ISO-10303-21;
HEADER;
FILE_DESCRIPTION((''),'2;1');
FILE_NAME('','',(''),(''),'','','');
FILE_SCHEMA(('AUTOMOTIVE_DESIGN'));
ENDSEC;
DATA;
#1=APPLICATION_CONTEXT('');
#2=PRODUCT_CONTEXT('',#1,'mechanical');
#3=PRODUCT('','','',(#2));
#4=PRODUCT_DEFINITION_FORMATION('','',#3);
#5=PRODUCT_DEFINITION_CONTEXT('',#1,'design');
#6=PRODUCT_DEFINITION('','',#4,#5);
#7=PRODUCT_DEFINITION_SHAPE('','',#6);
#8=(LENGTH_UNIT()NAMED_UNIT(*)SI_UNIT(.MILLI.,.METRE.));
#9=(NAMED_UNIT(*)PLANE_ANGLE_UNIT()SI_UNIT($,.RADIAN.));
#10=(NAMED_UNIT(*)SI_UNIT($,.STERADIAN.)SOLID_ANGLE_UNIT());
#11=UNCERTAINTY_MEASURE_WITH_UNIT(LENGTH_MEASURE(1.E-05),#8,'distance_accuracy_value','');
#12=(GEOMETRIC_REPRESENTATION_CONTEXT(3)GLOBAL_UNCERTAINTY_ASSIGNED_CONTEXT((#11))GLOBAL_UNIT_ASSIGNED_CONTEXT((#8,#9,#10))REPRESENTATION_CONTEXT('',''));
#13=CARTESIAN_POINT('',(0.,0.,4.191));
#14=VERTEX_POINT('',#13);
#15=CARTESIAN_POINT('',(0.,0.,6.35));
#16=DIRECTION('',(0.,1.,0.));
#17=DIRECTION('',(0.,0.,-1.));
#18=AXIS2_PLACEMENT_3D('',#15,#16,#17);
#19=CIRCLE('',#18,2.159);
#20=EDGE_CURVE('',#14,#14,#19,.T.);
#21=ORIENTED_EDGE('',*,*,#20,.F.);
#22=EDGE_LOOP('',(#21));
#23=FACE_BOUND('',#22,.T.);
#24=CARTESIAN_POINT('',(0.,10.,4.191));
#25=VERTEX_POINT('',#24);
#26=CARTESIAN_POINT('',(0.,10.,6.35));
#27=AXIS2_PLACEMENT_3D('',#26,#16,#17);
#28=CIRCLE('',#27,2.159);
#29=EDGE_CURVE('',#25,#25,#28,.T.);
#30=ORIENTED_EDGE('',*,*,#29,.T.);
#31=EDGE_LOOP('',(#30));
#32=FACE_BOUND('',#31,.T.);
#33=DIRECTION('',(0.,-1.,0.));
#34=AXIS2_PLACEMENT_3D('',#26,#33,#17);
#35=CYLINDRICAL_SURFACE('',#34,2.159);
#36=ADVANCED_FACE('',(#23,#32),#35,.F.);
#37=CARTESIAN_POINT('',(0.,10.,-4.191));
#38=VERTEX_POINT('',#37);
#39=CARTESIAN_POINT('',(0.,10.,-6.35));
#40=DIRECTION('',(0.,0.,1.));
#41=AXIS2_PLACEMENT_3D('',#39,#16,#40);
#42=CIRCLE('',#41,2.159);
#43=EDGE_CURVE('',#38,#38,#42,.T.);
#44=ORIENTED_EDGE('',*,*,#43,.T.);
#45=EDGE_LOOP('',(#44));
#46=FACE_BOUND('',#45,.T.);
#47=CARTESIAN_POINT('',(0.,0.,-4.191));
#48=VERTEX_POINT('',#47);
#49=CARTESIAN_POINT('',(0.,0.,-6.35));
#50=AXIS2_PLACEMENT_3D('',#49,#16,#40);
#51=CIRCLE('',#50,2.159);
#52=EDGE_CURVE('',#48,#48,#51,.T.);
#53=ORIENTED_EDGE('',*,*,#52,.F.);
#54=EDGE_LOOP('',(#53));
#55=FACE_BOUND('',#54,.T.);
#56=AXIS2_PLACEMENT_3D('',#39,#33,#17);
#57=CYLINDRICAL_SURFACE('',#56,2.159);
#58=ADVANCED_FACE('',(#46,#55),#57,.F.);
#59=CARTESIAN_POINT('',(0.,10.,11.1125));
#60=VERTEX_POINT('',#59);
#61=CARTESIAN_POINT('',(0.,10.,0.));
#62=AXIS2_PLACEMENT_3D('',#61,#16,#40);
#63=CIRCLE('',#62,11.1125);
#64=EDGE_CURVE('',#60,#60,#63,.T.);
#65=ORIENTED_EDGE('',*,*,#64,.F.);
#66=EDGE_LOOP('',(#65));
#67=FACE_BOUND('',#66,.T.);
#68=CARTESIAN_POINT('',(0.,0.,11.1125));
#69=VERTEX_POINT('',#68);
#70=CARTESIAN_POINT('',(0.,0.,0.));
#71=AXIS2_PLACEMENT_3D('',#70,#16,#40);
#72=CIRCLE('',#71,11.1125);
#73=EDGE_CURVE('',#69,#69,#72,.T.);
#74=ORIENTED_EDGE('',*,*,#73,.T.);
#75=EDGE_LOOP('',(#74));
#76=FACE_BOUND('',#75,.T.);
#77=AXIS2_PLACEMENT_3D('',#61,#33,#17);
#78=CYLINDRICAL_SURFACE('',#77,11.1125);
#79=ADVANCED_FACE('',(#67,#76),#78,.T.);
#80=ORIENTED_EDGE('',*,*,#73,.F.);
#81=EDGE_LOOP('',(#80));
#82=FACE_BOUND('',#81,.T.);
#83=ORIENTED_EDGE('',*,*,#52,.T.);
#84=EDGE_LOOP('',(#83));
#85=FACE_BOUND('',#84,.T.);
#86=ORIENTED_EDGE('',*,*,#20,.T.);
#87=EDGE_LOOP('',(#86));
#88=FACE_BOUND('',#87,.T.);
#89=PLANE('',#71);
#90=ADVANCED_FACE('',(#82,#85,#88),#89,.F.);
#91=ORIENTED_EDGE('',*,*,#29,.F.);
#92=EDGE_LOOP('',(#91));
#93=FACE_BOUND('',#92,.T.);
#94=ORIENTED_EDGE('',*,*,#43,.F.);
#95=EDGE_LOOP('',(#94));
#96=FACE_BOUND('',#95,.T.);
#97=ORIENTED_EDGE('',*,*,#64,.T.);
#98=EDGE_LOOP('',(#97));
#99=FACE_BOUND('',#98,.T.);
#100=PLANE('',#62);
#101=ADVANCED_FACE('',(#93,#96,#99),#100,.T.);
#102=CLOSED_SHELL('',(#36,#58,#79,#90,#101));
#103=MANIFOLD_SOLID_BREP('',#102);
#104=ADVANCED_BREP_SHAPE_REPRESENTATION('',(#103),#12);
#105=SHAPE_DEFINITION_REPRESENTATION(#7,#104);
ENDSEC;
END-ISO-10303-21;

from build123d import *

# Parameters (mm, degrees)
SKETCH1_R           = 11.1125
SKETCH1_R_2         = 2.159
BOSS_EXTRUDE1_DEPTH = 10


with BuildPart() as part:
    # Sketch1 → Boss-Extrude1 (new body)
    with BuildSketch(Plane(origin=(0, 0, 0), x_dir=(1, 0, 0), z_dir=(0, 1, 0))):
        with Locations(Location((0, 0, 0), (0, 0, 270))):
            Circle(SKETCH1_R)
        with Locations(Location((0, 6.35, 0), (0, 0, 270))):
            Circle(SKETCH1_R_2, mode=Mode.SUBTRACT)
        with Locations(Location((0, -6.35, 0), (0, 0, 90))):
            Circle(SKETCH1_R_2, mode=Mode.SUBTRACT)
    extrude(amount=BOSS_EXTRUDE1_DEPTH)


solid = part.part
